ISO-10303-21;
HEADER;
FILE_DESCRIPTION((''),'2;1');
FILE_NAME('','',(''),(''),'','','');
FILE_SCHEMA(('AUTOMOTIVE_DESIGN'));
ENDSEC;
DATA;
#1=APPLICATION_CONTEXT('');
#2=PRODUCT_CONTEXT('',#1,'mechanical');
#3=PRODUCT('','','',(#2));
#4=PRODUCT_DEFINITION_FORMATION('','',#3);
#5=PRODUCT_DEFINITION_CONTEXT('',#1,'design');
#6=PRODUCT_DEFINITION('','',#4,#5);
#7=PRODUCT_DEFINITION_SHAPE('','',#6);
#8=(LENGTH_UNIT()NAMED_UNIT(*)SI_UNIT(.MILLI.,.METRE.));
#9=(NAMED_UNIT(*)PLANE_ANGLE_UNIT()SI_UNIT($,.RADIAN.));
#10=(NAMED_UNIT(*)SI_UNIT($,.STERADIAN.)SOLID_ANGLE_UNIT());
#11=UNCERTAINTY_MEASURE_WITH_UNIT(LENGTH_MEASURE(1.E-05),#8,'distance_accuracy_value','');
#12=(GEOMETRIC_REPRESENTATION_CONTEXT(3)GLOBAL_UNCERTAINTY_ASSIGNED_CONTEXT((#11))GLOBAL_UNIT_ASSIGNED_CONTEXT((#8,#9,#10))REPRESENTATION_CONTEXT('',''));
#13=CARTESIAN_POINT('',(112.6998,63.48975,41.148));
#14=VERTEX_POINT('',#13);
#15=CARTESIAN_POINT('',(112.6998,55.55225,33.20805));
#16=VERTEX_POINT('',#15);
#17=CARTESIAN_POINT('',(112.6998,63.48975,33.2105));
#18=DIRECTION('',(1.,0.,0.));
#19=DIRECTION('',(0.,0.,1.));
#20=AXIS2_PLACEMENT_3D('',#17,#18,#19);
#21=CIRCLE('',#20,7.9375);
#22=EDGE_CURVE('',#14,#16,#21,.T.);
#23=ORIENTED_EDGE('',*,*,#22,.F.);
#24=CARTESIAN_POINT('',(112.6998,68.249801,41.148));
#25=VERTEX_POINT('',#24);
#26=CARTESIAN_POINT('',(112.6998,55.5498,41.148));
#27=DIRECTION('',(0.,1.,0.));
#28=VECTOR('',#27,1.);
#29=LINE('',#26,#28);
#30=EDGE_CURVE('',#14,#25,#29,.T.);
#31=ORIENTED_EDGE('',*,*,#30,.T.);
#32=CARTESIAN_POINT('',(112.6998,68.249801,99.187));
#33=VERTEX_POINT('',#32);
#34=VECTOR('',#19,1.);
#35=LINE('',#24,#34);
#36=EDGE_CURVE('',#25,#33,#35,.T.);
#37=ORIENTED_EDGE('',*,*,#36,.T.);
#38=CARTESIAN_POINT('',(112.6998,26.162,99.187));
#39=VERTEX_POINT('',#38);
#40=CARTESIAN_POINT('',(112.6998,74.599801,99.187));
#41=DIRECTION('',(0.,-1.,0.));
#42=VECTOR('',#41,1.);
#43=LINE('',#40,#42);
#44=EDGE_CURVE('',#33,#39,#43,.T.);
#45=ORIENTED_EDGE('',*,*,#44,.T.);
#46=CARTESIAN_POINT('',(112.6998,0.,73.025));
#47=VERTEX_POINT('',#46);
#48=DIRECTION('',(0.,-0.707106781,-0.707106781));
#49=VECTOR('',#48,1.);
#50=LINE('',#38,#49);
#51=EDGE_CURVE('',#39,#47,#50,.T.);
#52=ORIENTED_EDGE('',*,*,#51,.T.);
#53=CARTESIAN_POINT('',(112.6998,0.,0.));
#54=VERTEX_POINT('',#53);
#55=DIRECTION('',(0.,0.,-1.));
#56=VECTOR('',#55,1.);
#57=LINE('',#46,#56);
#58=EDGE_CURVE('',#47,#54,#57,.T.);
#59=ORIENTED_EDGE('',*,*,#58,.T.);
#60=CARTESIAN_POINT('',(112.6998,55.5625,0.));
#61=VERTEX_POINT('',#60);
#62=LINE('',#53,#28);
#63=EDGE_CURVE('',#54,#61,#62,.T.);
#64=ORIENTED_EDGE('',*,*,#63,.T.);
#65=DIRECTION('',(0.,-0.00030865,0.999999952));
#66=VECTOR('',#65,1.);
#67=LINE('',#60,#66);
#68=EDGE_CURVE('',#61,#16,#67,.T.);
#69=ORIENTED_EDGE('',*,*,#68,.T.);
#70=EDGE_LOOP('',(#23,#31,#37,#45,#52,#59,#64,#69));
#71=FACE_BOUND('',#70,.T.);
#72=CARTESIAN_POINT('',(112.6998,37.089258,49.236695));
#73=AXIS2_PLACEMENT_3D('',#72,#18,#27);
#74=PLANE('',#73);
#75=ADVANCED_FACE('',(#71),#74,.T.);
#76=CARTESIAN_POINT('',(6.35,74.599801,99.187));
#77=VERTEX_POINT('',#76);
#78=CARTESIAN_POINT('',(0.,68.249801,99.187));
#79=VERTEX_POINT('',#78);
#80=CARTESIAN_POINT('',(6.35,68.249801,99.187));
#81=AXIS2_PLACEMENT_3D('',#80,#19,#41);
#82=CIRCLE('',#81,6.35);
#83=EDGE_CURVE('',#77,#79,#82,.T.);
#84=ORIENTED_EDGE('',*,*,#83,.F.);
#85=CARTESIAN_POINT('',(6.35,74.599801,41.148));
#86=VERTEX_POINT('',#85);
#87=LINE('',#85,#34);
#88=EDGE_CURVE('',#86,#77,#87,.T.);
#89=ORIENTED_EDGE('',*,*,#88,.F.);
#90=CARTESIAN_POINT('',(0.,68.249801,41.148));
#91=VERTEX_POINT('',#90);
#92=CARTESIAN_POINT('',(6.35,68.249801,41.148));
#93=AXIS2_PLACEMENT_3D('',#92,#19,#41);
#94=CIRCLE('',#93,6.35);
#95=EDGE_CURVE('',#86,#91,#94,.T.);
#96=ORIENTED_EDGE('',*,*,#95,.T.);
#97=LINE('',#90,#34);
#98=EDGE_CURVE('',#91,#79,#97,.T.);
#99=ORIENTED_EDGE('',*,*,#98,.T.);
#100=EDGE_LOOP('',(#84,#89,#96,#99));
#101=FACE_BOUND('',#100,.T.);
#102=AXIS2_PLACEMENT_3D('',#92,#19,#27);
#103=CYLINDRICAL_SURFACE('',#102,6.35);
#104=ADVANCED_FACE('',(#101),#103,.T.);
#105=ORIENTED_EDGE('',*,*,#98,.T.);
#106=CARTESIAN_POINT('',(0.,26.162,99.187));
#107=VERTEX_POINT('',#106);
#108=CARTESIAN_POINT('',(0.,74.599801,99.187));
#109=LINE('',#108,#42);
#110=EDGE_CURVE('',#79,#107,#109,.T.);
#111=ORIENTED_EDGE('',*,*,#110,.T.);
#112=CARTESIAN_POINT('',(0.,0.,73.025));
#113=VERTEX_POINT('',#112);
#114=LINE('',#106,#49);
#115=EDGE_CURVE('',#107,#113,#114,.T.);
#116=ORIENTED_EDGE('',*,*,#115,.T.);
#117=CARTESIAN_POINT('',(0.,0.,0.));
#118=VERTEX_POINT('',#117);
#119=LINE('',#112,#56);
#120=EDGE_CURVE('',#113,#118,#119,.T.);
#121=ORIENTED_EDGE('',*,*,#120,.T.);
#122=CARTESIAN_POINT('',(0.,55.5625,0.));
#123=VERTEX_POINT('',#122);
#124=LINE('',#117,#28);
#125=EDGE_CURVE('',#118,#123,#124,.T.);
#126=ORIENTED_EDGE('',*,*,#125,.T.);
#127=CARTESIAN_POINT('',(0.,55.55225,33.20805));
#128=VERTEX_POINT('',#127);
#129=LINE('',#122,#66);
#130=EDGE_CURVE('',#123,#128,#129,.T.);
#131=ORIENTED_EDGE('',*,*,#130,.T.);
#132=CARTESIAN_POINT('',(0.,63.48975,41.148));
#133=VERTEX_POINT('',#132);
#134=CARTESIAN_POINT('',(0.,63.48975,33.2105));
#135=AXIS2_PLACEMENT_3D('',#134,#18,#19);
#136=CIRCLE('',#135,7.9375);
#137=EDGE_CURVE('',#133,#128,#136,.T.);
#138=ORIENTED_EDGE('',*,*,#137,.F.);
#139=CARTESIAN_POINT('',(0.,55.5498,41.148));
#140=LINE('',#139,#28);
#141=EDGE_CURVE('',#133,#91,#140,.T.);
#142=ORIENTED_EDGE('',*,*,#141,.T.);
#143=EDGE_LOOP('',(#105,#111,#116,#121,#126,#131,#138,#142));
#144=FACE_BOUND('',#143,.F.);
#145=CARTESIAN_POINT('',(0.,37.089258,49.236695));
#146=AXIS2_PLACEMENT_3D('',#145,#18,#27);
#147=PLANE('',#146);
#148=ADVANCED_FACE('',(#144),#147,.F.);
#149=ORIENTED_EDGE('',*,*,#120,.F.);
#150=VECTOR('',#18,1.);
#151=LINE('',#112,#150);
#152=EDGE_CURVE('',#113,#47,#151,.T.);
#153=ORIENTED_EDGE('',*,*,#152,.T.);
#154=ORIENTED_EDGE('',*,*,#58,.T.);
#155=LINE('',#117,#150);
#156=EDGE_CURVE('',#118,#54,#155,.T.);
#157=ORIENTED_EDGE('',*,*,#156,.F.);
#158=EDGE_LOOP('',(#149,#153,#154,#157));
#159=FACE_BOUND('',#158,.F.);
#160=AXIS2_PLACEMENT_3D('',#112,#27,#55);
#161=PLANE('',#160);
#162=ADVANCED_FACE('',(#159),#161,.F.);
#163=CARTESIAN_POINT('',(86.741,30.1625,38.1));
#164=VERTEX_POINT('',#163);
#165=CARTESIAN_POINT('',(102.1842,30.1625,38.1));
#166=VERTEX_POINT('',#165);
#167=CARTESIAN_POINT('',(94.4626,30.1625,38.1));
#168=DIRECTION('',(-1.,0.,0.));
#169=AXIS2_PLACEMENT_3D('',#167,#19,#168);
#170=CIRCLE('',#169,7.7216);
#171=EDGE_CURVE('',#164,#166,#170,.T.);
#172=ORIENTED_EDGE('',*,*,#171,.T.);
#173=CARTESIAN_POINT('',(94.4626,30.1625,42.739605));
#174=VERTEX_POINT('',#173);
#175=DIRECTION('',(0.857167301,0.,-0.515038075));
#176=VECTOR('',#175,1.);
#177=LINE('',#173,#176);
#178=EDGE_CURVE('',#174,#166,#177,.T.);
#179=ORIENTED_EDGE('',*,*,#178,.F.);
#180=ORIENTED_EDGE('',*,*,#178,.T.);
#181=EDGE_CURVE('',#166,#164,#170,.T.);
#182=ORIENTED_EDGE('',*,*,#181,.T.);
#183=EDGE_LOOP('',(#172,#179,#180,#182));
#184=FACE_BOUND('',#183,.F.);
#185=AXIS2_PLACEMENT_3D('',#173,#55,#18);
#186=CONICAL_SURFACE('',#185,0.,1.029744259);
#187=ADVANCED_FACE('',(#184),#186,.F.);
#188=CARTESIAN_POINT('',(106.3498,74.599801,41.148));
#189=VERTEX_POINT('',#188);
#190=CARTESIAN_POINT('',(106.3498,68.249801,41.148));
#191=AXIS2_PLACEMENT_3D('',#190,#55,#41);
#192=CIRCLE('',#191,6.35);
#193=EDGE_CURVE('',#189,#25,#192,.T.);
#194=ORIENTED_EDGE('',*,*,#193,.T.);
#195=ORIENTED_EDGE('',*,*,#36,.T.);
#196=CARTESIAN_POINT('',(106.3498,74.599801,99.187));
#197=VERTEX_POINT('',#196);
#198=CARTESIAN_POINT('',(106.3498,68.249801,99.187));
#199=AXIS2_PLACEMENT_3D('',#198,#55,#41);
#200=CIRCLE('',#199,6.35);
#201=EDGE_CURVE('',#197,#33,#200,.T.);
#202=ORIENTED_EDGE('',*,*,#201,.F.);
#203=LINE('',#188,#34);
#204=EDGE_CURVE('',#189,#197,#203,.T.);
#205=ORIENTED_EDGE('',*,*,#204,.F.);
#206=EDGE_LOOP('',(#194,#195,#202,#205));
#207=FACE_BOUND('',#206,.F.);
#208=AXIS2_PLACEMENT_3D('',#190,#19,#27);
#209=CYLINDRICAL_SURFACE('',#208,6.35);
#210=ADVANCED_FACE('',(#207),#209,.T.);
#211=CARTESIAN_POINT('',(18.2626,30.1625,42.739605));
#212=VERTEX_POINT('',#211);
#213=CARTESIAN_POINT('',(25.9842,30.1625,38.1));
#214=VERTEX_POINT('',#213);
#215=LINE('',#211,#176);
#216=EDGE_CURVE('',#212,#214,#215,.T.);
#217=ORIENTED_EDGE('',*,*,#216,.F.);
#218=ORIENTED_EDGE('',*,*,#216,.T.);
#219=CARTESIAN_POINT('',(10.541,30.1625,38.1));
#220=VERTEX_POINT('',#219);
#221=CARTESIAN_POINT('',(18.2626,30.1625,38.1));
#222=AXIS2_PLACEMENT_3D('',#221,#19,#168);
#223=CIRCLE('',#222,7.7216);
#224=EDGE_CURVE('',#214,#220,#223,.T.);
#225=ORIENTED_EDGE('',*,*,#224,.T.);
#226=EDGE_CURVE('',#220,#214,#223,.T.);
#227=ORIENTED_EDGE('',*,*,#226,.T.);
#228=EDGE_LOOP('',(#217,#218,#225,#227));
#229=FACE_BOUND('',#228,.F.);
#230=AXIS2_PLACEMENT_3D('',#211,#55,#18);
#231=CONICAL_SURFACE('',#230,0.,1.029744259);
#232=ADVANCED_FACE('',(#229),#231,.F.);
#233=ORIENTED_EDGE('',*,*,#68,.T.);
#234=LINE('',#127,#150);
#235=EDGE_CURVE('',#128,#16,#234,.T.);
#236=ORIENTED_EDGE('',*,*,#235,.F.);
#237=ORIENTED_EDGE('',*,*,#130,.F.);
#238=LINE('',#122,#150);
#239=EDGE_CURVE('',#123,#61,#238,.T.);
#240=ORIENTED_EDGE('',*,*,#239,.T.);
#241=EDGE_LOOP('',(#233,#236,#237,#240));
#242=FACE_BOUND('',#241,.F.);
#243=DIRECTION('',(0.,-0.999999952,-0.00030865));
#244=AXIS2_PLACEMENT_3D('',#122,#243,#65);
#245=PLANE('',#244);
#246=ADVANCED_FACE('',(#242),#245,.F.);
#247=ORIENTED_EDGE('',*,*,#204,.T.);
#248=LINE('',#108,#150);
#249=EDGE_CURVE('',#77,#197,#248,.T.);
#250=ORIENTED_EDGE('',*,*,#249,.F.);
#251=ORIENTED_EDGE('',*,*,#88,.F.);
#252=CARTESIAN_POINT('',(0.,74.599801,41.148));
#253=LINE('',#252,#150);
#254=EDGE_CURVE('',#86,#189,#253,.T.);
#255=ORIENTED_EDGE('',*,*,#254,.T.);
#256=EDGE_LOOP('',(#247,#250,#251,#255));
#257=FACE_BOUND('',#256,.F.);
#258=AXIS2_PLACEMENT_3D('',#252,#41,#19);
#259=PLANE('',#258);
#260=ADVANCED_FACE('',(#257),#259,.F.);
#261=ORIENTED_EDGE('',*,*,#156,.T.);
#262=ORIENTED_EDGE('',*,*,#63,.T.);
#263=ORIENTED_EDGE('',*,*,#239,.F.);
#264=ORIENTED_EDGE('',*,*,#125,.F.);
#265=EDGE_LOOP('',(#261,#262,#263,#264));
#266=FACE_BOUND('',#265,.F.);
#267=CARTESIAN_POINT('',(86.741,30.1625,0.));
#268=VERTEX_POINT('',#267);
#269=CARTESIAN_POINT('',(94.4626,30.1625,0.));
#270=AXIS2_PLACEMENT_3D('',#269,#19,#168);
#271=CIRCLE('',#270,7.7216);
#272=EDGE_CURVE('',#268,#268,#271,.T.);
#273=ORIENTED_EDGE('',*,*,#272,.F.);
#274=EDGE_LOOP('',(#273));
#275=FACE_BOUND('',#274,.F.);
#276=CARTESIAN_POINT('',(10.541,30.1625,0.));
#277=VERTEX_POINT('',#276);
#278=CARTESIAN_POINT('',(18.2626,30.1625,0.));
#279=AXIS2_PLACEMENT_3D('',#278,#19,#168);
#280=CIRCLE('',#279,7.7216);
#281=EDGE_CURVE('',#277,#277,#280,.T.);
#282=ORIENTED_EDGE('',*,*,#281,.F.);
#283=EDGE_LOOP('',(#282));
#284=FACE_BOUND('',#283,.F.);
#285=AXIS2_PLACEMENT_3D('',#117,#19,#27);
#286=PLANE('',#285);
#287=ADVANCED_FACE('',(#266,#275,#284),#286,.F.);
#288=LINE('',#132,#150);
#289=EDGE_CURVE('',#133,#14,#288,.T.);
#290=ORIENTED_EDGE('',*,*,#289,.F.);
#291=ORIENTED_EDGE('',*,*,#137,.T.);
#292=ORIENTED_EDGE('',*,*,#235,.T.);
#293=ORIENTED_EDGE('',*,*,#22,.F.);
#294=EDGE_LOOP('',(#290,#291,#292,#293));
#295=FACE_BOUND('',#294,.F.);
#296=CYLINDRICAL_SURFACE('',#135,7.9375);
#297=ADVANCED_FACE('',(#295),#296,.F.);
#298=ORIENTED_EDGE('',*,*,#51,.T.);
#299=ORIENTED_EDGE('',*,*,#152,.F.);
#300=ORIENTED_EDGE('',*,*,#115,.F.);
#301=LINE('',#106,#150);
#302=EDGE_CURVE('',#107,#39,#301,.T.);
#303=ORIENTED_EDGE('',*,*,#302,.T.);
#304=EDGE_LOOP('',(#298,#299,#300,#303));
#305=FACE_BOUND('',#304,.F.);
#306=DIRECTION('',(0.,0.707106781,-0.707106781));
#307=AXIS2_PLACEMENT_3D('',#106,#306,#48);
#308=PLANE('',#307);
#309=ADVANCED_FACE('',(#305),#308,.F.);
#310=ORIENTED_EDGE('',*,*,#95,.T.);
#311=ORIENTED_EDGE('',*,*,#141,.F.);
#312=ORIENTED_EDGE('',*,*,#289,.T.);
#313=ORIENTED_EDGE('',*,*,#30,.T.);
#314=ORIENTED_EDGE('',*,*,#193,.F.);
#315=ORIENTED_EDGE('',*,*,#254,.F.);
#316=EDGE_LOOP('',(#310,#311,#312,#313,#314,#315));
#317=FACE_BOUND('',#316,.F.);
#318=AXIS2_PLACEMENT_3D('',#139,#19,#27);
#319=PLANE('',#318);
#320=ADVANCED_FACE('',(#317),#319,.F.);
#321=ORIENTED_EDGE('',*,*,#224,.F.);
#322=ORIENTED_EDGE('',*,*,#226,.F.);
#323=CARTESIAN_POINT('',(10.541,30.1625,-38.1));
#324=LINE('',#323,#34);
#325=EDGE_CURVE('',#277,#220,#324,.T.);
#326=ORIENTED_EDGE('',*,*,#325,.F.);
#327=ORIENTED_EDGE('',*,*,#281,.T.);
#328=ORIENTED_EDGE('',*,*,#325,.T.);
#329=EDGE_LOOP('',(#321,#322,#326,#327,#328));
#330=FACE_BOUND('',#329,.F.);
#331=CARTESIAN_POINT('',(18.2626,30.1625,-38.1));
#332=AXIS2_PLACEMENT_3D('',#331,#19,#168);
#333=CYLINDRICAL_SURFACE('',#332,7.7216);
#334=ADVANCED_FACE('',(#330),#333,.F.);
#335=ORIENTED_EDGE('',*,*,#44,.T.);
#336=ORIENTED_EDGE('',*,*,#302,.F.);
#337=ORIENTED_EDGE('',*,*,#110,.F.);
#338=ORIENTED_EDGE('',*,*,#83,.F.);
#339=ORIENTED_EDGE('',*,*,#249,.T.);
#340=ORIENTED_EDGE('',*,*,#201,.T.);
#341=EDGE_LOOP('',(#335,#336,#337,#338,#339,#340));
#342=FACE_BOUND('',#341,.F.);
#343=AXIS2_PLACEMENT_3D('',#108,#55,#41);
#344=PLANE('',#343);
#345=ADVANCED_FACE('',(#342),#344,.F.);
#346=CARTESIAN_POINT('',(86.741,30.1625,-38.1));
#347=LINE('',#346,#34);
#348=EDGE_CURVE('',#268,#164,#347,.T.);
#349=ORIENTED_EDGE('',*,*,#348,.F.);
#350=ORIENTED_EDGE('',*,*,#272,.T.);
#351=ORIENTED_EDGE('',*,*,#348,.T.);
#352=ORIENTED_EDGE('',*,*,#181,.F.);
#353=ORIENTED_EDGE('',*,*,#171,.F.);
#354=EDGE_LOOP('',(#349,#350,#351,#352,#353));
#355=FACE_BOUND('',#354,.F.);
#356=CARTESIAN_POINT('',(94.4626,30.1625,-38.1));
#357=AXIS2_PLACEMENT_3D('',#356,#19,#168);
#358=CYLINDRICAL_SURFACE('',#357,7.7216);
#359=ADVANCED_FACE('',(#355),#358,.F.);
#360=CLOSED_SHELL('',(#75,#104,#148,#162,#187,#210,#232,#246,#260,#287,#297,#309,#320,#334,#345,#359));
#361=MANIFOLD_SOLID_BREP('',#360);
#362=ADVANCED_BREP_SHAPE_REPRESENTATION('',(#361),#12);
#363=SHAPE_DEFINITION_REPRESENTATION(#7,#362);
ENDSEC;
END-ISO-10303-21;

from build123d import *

# Parameters (mm, degrees)
F1_DEPTH = 112.6998
F3_D     = 15.4432
F3_DEPTH = 38.1
F3_TIP   = 4.6396053559
F4_R     = 6.35
F5_R     = 7.9375


with BuildPart() as f1:
    # F0 (on Right) → F1 (new body)
    with BuildSketch(Plane.YZ):
        Polygon((74.5998005843, 99.187), (26.162, 99.187), (0, 73.025), (0, 0), (55.5625, 0), (55.5497996769, 41.148), (74.5998005843, 41.148), align=None)
    extrude(amount=F1_DEPTH)

    # F3
    with Locations(Plane(origin=(0, 0, 0), x_dir=(1, 0, 0), z_dir=(0, 0, -1))):
        with Locations((94.4626, -30.1625), (18.2626, -30.1625)):
            Hole(F3_D / 2, depth=F3_DEPTH)
            with Locations((0, 0, -(F3_DEPTH + F3_TIP / 2))):  # 118° drill point
                Cone(0, F3_D / 2, F3_TIP, mode=Mode.SUBTRACT)

    # F4
    f4_edges = [f1.edges().sort_by_distance(p)[0] for p in [
        (112.6998, 74.599801, 70.1675),
        (0, 74.599801, 70.1675),
    ]]
    fillet(f4_edges, radius=F4_R)

    # F5
    f5_edges = [f1.edges().sort_by_distance(p)[0] for p in [
        (56.3499, 55.5498, 41.148),
    ]]
    fillet(f5_edges, radius=F5_R)


solid = f1.part
